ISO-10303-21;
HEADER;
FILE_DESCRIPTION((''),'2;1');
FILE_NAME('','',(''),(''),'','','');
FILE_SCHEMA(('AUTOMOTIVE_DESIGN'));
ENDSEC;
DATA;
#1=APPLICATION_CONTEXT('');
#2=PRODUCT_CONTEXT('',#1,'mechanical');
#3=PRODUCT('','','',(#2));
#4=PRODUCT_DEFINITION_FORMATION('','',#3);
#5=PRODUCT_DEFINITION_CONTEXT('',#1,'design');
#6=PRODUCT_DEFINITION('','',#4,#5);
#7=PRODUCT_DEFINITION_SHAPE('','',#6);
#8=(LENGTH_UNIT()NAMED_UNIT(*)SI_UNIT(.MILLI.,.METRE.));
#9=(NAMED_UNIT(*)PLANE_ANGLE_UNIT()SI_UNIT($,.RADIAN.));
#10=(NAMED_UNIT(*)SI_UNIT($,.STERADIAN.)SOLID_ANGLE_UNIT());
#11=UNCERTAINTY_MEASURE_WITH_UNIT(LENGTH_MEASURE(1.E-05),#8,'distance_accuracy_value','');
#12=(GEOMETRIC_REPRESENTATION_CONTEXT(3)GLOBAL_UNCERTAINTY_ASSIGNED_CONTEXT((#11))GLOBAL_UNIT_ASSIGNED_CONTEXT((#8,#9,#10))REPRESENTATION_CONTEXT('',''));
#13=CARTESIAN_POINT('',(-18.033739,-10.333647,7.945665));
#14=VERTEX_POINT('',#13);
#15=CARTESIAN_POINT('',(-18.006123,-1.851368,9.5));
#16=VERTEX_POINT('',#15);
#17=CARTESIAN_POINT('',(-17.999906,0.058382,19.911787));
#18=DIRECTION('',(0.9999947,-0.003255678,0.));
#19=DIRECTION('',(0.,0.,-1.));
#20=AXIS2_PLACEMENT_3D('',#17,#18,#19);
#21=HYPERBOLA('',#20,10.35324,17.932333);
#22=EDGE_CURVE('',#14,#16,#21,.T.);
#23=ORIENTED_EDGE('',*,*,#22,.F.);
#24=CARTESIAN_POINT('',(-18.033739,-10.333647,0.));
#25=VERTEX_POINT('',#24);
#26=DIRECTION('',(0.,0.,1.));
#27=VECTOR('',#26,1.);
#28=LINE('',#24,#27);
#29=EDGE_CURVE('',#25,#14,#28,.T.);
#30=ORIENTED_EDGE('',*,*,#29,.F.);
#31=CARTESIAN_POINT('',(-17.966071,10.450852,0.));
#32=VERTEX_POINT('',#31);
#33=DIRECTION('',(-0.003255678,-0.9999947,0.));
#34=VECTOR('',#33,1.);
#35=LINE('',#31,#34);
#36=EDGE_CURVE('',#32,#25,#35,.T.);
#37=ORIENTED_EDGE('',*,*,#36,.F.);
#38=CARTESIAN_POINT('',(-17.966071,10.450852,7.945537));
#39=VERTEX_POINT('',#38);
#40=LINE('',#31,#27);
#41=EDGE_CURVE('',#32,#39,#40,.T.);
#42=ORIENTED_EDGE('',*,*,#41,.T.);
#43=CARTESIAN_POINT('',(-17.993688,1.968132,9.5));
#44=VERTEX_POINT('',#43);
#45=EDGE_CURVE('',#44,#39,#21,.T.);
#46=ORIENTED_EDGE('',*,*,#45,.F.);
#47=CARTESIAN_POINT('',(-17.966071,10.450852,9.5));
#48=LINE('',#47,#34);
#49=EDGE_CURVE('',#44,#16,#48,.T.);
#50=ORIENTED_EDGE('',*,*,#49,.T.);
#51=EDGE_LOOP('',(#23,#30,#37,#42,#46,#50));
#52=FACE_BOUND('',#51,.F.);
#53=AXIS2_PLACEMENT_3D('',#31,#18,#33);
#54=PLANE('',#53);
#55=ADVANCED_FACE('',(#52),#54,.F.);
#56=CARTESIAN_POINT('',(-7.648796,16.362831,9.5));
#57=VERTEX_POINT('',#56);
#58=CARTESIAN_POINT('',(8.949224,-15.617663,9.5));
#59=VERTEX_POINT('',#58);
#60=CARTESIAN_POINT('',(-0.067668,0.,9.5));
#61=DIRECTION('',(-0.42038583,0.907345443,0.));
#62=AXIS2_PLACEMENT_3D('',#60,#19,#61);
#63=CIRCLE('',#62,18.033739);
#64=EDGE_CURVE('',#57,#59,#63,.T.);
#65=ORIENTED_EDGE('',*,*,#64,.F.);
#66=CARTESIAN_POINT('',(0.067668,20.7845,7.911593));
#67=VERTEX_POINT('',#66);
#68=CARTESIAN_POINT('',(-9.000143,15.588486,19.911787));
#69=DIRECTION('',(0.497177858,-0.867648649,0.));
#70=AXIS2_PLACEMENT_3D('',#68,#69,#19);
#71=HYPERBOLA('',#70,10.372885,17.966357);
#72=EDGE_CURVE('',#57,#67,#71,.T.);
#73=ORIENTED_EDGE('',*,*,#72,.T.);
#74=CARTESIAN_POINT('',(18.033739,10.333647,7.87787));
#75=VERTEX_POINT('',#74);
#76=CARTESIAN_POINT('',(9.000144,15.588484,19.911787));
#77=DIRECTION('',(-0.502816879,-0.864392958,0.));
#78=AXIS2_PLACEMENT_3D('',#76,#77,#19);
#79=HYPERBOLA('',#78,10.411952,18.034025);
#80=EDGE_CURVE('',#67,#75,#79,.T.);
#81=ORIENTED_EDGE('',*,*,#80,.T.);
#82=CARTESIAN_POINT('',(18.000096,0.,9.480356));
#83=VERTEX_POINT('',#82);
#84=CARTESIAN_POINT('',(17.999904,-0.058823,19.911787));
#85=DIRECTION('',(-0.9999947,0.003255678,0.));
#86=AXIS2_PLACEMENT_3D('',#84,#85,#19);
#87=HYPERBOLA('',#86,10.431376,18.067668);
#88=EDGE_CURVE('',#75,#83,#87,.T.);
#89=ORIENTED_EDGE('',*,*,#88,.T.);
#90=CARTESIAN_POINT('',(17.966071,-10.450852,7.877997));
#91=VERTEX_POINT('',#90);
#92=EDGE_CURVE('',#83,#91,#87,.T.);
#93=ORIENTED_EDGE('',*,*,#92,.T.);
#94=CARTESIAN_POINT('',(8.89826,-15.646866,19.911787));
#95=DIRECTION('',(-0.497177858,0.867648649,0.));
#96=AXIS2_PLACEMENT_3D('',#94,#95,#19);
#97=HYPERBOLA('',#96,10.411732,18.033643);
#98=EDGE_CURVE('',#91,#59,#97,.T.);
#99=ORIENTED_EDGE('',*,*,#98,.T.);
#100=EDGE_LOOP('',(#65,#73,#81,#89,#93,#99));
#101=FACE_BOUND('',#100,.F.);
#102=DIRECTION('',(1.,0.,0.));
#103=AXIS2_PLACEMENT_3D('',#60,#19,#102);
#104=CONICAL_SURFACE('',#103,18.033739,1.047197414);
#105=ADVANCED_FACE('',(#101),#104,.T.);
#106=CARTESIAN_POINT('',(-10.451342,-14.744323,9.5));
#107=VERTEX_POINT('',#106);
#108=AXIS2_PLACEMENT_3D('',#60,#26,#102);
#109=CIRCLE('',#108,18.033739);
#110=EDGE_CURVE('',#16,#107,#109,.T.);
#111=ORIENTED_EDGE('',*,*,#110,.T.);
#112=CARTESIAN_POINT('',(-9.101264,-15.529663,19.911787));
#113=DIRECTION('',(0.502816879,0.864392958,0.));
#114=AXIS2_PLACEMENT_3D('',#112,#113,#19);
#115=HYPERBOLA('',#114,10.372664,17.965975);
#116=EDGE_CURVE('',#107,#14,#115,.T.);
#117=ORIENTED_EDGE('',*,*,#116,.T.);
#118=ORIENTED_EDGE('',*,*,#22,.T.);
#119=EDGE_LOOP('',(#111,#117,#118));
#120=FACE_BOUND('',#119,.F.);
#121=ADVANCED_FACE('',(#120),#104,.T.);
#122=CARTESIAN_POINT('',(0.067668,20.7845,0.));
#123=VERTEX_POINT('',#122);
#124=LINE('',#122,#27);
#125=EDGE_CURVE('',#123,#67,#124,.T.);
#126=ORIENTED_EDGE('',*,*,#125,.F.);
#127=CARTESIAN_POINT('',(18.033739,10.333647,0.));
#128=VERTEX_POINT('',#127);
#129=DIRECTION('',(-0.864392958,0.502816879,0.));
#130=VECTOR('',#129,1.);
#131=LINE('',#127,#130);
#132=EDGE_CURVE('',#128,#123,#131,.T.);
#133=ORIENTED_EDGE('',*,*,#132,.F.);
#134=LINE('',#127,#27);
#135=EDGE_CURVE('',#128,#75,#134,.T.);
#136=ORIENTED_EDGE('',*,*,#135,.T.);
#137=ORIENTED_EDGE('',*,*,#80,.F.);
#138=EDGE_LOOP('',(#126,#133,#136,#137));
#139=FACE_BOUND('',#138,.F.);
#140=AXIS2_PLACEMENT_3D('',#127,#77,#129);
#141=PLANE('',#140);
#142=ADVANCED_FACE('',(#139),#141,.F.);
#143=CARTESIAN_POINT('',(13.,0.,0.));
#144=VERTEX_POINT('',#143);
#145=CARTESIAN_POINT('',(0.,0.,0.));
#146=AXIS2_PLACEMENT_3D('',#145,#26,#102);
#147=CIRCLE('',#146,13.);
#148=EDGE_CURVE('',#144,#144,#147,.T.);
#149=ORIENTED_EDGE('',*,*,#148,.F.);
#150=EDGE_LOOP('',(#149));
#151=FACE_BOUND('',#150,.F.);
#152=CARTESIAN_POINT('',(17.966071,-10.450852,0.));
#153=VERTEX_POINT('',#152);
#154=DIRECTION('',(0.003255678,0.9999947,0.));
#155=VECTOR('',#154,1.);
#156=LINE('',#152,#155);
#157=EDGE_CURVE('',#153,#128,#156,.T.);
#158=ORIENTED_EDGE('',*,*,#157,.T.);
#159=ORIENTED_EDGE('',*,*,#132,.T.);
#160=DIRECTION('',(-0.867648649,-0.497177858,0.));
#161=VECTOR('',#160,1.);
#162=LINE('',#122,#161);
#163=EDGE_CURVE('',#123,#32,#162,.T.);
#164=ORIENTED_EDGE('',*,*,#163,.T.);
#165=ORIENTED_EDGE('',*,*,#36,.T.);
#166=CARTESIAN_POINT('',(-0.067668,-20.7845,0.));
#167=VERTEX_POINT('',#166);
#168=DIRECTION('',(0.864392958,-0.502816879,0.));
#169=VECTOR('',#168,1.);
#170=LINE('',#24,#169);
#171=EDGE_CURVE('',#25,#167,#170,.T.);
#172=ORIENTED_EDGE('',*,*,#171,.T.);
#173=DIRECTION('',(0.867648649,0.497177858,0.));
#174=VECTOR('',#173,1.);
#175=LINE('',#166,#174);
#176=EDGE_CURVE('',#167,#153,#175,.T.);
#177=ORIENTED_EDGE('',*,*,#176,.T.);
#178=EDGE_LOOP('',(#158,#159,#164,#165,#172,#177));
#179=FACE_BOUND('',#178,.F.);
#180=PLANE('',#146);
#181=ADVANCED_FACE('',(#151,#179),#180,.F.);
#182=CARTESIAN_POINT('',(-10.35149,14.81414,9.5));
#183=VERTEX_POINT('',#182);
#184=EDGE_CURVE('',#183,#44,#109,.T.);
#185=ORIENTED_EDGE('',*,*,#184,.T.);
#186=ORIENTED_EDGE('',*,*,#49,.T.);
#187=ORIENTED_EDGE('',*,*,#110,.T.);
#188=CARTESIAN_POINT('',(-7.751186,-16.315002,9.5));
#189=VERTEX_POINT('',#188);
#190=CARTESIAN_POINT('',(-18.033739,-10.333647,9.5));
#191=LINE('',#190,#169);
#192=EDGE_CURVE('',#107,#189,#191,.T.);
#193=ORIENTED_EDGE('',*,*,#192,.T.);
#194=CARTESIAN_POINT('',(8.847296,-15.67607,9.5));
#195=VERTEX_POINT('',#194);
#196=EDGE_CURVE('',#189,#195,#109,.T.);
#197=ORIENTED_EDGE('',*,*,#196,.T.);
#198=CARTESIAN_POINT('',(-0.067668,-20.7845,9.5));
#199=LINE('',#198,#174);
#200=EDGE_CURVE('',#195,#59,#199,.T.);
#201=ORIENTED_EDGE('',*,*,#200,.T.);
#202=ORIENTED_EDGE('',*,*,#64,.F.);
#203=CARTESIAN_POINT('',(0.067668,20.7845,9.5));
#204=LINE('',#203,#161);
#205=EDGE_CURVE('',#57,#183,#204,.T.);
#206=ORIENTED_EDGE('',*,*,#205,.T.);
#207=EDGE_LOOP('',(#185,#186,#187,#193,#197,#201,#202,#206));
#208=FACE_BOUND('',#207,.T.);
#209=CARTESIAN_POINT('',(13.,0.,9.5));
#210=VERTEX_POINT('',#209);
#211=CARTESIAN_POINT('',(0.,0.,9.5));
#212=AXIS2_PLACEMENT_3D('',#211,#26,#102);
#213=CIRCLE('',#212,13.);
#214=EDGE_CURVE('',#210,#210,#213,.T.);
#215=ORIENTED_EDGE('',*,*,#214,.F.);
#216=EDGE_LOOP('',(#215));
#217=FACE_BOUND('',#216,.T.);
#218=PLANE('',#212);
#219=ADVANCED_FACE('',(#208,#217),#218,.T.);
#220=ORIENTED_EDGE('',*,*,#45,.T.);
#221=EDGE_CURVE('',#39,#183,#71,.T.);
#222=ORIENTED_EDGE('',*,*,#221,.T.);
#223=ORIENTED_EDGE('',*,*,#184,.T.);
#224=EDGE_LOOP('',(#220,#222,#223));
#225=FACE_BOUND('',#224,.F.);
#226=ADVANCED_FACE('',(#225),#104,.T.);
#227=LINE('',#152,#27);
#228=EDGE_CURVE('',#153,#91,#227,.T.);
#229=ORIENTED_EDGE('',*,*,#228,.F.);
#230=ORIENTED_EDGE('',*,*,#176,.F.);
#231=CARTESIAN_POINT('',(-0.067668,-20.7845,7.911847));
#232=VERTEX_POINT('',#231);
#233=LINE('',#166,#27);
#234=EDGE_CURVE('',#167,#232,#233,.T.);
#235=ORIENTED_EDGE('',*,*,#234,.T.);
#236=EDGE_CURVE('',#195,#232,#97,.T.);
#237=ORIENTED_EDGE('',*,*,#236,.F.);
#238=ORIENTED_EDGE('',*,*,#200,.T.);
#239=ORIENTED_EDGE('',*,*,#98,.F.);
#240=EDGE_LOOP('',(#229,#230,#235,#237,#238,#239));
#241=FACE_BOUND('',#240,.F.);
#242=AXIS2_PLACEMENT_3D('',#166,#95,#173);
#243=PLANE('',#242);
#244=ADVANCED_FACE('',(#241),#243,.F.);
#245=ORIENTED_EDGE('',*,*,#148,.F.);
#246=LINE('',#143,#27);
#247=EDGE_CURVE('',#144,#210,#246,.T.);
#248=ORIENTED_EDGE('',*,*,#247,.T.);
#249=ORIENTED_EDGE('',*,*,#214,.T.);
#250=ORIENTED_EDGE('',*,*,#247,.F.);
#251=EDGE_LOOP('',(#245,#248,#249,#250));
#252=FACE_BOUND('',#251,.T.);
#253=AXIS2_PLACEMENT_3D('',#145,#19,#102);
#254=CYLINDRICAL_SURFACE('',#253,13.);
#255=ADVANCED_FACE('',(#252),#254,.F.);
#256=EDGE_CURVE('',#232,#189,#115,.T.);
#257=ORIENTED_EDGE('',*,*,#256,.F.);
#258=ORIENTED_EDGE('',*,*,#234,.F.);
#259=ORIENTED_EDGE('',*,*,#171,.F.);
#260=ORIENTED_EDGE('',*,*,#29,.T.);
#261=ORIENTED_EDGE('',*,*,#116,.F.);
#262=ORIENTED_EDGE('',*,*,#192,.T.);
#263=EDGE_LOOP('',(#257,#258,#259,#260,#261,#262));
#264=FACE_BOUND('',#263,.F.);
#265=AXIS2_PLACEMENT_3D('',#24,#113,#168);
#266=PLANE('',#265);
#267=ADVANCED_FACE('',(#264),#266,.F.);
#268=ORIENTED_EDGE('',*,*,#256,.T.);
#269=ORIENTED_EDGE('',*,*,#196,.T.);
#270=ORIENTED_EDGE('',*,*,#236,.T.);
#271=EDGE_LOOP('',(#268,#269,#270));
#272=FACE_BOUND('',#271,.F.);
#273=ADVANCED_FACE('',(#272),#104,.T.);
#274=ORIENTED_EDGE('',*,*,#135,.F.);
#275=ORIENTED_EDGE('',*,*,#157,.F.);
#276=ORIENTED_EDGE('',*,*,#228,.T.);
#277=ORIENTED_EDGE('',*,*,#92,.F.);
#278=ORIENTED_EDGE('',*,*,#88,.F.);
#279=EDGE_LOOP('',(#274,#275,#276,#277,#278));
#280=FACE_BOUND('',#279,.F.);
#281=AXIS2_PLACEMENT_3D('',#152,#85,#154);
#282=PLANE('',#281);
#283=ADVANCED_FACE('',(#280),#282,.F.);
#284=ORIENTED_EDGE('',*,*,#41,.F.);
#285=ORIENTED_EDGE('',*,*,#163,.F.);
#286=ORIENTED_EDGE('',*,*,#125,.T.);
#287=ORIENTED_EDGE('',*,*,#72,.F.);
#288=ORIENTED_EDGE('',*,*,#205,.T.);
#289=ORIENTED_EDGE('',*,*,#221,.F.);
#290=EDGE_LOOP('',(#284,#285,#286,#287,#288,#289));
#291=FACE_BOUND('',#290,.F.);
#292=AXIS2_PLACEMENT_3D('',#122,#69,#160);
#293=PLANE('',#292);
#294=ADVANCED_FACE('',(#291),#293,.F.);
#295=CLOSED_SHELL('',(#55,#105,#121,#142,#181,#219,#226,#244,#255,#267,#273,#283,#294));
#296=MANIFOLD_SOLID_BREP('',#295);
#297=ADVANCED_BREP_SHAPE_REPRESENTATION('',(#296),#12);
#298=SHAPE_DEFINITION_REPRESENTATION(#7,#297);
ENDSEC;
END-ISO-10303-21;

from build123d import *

# Parameters (mm, degrees)
F0_R     = 13
F1_DEPTH = 9.5


with BuildPart() as f1:
    # F0 (on Top) → F1 (new body)
    with BuildSketch(Plane.XY):
        Polygon((18.033739, 10.333647), (0.067668, 20.7845), (-17.966071, 10.450852), (-18.033739, -10.333647), (-0.067668, -20.7845), (17.966071, -10.450852), align=None)
        Circle(F0_R, mode=Mode.SUBTRACT)
    extrude(amount=F1_DEPTH)

    # F2 (on Front) → F3 (revolve, cut)
    with BuildSketch(Plane.XZ):
        Polygon((20.826552, 9.5), (17.966071, 9.5), (20.826552, 7.8485), align=None)
    revolve(axis=Axis((-0.067668, 0, 7.968986), (0, 0, 1)), mode=Mode.SUBTRACT)


solid = f1.part
